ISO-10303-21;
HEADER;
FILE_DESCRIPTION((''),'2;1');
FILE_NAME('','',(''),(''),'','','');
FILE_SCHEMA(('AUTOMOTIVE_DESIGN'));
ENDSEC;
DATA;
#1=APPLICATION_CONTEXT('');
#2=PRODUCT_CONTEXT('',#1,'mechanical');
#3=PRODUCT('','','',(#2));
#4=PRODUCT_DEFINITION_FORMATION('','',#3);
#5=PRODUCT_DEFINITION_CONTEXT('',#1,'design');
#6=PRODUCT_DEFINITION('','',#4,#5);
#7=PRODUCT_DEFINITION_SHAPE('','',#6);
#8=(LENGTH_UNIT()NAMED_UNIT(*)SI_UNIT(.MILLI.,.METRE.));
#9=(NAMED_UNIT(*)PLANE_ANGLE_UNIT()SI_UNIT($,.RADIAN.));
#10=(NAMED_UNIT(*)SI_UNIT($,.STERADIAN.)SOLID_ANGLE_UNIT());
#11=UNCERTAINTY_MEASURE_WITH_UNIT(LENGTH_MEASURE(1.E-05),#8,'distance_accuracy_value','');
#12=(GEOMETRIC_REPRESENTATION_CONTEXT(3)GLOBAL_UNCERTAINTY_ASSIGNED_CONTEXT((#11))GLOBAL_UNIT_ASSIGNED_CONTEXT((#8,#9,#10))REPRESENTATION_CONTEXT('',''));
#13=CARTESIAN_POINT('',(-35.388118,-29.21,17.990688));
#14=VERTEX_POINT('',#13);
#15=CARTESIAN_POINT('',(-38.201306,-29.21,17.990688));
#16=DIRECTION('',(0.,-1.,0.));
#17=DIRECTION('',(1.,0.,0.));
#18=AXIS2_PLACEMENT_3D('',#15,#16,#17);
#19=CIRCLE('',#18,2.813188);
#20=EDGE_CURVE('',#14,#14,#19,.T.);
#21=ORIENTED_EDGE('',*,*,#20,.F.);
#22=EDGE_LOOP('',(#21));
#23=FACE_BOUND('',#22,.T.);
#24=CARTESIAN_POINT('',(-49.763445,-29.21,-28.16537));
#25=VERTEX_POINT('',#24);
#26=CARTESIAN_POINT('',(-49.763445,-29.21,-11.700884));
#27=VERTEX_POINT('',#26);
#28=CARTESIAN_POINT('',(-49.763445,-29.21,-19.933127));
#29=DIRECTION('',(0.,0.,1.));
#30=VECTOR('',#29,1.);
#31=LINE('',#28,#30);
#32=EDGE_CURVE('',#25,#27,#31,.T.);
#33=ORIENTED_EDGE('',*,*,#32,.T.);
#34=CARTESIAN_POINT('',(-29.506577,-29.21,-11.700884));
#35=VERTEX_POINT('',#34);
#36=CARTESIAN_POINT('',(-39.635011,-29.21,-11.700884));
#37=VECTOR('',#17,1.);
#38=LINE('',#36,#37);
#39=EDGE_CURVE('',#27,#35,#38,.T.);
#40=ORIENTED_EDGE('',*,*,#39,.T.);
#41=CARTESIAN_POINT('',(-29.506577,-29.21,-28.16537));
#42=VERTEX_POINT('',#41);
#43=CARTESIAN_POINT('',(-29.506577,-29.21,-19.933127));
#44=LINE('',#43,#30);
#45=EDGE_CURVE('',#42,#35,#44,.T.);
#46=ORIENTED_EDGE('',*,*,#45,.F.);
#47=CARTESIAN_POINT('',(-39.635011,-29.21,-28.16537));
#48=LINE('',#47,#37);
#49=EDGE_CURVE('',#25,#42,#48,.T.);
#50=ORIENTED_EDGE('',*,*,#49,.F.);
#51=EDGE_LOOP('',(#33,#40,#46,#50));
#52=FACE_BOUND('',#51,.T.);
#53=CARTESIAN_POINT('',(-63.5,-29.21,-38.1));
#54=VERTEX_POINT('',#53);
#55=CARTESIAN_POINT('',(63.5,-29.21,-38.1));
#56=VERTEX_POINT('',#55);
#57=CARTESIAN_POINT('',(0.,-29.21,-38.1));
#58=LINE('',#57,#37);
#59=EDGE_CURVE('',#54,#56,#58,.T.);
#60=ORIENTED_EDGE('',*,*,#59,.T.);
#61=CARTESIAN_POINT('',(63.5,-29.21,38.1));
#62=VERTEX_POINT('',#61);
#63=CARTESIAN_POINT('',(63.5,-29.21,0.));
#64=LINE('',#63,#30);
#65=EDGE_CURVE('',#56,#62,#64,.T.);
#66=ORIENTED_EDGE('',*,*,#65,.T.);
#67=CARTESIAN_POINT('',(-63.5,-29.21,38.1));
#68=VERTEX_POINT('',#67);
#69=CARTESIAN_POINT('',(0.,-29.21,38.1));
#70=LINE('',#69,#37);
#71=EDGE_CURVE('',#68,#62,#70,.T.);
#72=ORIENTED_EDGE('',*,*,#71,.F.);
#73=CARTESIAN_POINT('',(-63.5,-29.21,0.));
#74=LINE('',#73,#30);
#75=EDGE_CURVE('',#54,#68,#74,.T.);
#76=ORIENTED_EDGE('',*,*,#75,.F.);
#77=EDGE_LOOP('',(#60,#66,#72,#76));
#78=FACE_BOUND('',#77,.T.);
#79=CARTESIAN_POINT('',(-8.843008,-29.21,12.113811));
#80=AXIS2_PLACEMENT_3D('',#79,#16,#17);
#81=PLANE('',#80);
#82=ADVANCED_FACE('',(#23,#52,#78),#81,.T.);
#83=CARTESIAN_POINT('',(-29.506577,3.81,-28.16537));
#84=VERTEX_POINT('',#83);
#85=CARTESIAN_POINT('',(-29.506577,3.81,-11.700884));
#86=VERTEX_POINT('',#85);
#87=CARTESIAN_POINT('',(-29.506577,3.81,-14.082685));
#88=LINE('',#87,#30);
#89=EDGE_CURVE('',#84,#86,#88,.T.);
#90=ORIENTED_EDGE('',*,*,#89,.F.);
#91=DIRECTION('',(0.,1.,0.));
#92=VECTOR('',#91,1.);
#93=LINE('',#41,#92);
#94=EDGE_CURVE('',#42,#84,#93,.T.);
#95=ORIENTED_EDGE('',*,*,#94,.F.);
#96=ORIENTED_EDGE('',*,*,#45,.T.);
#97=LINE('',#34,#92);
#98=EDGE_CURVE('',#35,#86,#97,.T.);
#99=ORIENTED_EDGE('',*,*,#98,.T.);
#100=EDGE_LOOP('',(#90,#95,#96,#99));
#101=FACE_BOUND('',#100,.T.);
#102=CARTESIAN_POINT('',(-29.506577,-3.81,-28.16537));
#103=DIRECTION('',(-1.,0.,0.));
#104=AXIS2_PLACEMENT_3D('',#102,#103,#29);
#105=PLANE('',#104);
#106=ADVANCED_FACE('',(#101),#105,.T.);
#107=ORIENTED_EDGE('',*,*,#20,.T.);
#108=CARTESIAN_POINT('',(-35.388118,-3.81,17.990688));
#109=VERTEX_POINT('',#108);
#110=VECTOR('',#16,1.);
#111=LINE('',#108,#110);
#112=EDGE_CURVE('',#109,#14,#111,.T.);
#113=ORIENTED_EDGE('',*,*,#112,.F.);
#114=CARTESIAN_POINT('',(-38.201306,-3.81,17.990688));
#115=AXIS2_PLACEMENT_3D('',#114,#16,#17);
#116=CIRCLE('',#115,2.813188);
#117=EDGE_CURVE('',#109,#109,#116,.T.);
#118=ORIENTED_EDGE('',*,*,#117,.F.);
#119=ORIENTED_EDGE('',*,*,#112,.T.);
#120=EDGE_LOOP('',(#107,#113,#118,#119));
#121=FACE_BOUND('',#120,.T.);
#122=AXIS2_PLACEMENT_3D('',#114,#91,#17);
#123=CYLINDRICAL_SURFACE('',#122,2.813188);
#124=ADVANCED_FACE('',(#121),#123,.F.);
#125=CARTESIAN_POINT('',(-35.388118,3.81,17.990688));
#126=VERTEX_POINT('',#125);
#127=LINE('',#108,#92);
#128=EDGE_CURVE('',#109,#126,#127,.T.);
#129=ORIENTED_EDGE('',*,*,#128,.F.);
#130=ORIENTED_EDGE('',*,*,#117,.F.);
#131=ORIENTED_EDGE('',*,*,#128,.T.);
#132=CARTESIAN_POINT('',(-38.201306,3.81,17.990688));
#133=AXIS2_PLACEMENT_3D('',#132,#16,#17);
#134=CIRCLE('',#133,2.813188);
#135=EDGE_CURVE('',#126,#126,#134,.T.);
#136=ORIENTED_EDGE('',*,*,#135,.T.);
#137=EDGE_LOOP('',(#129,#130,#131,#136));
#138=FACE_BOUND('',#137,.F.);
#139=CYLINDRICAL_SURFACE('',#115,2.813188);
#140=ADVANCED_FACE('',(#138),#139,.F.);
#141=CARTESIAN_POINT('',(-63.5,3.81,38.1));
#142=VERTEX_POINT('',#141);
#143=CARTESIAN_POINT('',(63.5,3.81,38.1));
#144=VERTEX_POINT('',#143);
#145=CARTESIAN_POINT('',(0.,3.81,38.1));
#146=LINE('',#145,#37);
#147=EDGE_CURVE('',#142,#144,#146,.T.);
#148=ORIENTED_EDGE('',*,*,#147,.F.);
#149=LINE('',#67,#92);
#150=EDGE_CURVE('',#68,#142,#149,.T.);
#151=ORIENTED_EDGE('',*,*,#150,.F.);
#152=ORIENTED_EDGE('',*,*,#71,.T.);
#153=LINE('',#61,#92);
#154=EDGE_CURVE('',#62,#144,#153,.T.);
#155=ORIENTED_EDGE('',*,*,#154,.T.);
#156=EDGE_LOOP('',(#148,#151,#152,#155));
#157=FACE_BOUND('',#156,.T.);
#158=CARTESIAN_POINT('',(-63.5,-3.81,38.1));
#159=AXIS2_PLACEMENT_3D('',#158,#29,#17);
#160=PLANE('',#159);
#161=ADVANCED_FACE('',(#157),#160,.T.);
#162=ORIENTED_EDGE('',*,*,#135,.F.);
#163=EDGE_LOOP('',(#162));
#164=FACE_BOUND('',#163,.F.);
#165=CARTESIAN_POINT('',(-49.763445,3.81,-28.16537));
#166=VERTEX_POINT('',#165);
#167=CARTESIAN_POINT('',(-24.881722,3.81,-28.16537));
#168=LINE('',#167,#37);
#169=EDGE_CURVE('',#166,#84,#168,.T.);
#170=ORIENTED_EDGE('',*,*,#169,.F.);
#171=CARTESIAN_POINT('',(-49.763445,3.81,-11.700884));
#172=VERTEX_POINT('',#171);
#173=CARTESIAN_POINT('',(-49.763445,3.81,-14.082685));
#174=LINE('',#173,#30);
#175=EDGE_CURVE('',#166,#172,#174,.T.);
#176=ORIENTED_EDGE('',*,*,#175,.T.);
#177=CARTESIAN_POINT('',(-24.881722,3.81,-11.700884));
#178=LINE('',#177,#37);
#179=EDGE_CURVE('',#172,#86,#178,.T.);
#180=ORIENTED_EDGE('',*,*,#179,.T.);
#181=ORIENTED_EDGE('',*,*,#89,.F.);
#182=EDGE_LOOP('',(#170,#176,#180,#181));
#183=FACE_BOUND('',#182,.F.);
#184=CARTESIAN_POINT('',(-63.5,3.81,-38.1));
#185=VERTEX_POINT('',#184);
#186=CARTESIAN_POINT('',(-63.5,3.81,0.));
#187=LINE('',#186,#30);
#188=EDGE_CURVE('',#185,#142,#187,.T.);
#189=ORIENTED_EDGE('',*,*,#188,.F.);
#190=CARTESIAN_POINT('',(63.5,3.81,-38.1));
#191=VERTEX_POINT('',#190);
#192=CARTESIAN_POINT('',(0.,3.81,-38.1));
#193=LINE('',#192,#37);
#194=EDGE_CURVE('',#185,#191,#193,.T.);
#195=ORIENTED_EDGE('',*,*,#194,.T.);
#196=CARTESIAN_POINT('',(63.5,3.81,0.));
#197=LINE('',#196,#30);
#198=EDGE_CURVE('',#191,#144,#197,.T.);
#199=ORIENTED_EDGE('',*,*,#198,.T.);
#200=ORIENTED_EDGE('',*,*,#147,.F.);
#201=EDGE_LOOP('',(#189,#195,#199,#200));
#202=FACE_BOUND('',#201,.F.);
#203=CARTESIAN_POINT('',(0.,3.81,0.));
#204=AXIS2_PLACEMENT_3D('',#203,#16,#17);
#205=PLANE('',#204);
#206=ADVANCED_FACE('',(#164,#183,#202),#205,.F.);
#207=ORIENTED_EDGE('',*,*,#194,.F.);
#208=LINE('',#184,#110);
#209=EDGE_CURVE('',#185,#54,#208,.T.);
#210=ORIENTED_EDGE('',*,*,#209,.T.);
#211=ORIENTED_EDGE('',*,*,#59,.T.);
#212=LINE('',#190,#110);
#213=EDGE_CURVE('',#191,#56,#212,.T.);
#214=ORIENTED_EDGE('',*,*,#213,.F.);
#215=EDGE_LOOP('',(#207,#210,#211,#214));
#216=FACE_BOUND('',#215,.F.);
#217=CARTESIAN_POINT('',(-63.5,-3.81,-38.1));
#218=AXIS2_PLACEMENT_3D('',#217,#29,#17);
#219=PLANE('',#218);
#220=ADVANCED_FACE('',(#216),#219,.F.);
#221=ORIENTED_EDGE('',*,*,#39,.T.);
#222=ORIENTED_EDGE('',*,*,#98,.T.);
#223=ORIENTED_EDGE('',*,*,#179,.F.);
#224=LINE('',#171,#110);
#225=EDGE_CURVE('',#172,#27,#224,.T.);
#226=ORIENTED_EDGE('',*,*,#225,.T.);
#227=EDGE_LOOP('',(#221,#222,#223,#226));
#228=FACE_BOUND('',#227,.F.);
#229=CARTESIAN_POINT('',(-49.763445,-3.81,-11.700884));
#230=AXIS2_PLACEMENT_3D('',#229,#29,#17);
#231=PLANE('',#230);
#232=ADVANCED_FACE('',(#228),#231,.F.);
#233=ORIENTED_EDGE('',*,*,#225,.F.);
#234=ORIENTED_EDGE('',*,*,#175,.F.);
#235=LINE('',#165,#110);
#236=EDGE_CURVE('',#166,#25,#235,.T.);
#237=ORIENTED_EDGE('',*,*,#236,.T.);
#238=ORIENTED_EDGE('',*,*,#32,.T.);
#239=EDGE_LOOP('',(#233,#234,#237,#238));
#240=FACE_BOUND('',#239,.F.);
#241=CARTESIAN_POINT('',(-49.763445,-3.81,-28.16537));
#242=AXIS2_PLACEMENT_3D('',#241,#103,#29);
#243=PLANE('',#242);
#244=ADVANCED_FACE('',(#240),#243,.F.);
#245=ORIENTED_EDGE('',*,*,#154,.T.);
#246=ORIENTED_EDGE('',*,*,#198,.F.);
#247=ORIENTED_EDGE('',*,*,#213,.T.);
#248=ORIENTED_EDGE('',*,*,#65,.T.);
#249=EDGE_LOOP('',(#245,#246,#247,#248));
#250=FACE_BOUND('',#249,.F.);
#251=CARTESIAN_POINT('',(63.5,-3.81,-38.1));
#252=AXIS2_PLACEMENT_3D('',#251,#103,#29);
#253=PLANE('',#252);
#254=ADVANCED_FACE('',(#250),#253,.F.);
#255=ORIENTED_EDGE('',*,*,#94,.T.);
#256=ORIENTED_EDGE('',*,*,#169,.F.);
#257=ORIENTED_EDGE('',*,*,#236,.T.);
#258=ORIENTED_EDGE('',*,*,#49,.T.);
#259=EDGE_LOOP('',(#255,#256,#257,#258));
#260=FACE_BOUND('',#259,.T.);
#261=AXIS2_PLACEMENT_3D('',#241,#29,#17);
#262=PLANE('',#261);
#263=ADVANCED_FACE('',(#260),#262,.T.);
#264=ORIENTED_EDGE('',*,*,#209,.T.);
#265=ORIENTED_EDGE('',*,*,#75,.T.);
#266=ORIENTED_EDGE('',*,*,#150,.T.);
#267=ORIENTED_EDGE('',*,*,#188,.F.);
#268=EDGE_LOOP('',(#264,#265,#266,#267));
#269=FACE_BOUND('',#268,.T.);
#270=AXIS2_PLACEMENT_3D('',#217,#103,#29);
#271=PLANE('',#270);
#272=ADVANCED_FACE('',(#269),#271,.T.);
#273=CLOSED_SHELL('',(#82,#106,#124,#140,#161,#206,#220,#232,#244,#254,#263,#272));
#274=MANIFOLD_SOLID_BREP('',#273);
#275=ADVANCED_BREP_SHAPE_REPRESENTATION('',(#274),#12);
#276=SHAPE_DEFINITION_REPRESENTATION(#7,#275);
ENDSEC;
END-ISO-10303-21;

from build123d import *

# Parameters (mm, degrees)
F0_W        = 127
F0_H        = 76.2
F1_DEPTH    = 3.81
F2_R        = 2.813188
F3_DEPTH    = 25.4
F4_W        = 20.256868
F4_H        = 16.464486
F5_DEPTH    = 101.6
F6_W        = 127
F6_H        = 76.2
F6_W_2      = 20.256868
F6_H_2      = 16.464486
F6_R        = 2.813188
F1_FACE_W   = 127
F1_FACE_H   = 76.2
F1_FACE_W_2 = 20.256868
F1_FACE_H_2 = 16.464486
F1_FACE_R   = 2.813188
F7_DEPTH    = 25.4


with BuildPart() as f1:
    # F0 (on Front) → F1 (new body, symmetric)
    with BuildSketch(Plane.XZ):
        Rectangle(F0_W, F0_H)
    extrude(amount=F1_DEPTH, both=True)

    # F2 (on face) → F3 (cut)
    with BuildSketch(Plane.XZ.offset(3.81)):
        with Locations((-38.201306, 17.990688)):
            Circle(F2_R)
    extrude(amount=-F3_DEPTH, mode=Mode.SUBTRACT)

    # F4 (on face) → F5 (cut)
    with BuildSketch(Plane.XZ.offset(3.81)):
        with Locations((-39.635011, -19.933127)):
            Rectangle(F4_W, F4_H)
    extrude(amount=-F5_DEPTH, mode=Mode.SUBTRACT)

    # F6 (on face) + F1_face (on face) → F7 (join)
    with BuildSketch(Plane.XZ.offset(3.81)):
        with BuildLine():
            ThreePointArc((-14.394957, 8.691607), (-8.89384, 14.36516), (-3.220287, 8.864043))
            Line((-3.220287, 8.864043), (-0.426287, 8.864043))
            Line((-0.426287, 8.864043), (-0.426287, 10.68467))
            Line((-0.426287, 10.68467), (-1.648593, 10.68467))
            ThreePointArc((-1.648593, 10.68467), (-8.896568, 16.185919), (-16.01037, 10.512235))
            Line((-16.01037, 10.512235), (-17.188957, 10.512235))
            Line((-17.188957, 10.512235), (-17.188957, 8.691607))
            Line((-17.188957, 8.691607), (-14.394957, 8.691607))
        make_face()
        Rectangle(F6_W, F6_H)
        with Locations((-39.635011, -19.933127)):
            Rectangle(F6_W_2, F6_H_2, mode=Mode.SUBTRACT)
        with Locations((-38.201306, 17.990688)):
            Circle(F6_R, mode=Mode.SUBTRACT)
        with BuildLine():
            Line((-0.426287, 8.864043), (-3.220287, 8.864043))
            ThreePointArc((-3.220287, 8.864043), (-8.89384, 14.36516), (-14.394957, 8.691607))
            Line((-14.394957, 8.691607), (-17.188957, 8.691607))
            Line((-17.188957, 8.691607), (-17.188957, 10.512235))
            Line((-17.188957, 10.512235), (-16.01037, 10.512235))
            ThreePointArc((-16.01037, 10.512235), (-8.896568, 16.185919), (-1.648593, 10.68467))
            Line((-1.648593, 10.68467), (-0.426287, 10.68467))
            Line((-0.426287, 10.68467), (-0.426287, 8.864043))
        make_face(mode=Mode.SUBTRACT)
    with BuildSketch(Plane.XZ.offset(3.81)):
        Rectangle(F1_FACE_W, F1_FACE_H)
        with Locations((-39.635011, -19.933127)):
            Rectangle(F1_FACE_W_2, F1_FACE_H_2, mode=Mode.SUBTRACT)
        with Locations((-38.201306, 17.990688)):
            Circle(F1_FACE_R, mode=Mode.SUBTRACT)
    extrude(amount=F7_DEPTH)


solid = f1.part
